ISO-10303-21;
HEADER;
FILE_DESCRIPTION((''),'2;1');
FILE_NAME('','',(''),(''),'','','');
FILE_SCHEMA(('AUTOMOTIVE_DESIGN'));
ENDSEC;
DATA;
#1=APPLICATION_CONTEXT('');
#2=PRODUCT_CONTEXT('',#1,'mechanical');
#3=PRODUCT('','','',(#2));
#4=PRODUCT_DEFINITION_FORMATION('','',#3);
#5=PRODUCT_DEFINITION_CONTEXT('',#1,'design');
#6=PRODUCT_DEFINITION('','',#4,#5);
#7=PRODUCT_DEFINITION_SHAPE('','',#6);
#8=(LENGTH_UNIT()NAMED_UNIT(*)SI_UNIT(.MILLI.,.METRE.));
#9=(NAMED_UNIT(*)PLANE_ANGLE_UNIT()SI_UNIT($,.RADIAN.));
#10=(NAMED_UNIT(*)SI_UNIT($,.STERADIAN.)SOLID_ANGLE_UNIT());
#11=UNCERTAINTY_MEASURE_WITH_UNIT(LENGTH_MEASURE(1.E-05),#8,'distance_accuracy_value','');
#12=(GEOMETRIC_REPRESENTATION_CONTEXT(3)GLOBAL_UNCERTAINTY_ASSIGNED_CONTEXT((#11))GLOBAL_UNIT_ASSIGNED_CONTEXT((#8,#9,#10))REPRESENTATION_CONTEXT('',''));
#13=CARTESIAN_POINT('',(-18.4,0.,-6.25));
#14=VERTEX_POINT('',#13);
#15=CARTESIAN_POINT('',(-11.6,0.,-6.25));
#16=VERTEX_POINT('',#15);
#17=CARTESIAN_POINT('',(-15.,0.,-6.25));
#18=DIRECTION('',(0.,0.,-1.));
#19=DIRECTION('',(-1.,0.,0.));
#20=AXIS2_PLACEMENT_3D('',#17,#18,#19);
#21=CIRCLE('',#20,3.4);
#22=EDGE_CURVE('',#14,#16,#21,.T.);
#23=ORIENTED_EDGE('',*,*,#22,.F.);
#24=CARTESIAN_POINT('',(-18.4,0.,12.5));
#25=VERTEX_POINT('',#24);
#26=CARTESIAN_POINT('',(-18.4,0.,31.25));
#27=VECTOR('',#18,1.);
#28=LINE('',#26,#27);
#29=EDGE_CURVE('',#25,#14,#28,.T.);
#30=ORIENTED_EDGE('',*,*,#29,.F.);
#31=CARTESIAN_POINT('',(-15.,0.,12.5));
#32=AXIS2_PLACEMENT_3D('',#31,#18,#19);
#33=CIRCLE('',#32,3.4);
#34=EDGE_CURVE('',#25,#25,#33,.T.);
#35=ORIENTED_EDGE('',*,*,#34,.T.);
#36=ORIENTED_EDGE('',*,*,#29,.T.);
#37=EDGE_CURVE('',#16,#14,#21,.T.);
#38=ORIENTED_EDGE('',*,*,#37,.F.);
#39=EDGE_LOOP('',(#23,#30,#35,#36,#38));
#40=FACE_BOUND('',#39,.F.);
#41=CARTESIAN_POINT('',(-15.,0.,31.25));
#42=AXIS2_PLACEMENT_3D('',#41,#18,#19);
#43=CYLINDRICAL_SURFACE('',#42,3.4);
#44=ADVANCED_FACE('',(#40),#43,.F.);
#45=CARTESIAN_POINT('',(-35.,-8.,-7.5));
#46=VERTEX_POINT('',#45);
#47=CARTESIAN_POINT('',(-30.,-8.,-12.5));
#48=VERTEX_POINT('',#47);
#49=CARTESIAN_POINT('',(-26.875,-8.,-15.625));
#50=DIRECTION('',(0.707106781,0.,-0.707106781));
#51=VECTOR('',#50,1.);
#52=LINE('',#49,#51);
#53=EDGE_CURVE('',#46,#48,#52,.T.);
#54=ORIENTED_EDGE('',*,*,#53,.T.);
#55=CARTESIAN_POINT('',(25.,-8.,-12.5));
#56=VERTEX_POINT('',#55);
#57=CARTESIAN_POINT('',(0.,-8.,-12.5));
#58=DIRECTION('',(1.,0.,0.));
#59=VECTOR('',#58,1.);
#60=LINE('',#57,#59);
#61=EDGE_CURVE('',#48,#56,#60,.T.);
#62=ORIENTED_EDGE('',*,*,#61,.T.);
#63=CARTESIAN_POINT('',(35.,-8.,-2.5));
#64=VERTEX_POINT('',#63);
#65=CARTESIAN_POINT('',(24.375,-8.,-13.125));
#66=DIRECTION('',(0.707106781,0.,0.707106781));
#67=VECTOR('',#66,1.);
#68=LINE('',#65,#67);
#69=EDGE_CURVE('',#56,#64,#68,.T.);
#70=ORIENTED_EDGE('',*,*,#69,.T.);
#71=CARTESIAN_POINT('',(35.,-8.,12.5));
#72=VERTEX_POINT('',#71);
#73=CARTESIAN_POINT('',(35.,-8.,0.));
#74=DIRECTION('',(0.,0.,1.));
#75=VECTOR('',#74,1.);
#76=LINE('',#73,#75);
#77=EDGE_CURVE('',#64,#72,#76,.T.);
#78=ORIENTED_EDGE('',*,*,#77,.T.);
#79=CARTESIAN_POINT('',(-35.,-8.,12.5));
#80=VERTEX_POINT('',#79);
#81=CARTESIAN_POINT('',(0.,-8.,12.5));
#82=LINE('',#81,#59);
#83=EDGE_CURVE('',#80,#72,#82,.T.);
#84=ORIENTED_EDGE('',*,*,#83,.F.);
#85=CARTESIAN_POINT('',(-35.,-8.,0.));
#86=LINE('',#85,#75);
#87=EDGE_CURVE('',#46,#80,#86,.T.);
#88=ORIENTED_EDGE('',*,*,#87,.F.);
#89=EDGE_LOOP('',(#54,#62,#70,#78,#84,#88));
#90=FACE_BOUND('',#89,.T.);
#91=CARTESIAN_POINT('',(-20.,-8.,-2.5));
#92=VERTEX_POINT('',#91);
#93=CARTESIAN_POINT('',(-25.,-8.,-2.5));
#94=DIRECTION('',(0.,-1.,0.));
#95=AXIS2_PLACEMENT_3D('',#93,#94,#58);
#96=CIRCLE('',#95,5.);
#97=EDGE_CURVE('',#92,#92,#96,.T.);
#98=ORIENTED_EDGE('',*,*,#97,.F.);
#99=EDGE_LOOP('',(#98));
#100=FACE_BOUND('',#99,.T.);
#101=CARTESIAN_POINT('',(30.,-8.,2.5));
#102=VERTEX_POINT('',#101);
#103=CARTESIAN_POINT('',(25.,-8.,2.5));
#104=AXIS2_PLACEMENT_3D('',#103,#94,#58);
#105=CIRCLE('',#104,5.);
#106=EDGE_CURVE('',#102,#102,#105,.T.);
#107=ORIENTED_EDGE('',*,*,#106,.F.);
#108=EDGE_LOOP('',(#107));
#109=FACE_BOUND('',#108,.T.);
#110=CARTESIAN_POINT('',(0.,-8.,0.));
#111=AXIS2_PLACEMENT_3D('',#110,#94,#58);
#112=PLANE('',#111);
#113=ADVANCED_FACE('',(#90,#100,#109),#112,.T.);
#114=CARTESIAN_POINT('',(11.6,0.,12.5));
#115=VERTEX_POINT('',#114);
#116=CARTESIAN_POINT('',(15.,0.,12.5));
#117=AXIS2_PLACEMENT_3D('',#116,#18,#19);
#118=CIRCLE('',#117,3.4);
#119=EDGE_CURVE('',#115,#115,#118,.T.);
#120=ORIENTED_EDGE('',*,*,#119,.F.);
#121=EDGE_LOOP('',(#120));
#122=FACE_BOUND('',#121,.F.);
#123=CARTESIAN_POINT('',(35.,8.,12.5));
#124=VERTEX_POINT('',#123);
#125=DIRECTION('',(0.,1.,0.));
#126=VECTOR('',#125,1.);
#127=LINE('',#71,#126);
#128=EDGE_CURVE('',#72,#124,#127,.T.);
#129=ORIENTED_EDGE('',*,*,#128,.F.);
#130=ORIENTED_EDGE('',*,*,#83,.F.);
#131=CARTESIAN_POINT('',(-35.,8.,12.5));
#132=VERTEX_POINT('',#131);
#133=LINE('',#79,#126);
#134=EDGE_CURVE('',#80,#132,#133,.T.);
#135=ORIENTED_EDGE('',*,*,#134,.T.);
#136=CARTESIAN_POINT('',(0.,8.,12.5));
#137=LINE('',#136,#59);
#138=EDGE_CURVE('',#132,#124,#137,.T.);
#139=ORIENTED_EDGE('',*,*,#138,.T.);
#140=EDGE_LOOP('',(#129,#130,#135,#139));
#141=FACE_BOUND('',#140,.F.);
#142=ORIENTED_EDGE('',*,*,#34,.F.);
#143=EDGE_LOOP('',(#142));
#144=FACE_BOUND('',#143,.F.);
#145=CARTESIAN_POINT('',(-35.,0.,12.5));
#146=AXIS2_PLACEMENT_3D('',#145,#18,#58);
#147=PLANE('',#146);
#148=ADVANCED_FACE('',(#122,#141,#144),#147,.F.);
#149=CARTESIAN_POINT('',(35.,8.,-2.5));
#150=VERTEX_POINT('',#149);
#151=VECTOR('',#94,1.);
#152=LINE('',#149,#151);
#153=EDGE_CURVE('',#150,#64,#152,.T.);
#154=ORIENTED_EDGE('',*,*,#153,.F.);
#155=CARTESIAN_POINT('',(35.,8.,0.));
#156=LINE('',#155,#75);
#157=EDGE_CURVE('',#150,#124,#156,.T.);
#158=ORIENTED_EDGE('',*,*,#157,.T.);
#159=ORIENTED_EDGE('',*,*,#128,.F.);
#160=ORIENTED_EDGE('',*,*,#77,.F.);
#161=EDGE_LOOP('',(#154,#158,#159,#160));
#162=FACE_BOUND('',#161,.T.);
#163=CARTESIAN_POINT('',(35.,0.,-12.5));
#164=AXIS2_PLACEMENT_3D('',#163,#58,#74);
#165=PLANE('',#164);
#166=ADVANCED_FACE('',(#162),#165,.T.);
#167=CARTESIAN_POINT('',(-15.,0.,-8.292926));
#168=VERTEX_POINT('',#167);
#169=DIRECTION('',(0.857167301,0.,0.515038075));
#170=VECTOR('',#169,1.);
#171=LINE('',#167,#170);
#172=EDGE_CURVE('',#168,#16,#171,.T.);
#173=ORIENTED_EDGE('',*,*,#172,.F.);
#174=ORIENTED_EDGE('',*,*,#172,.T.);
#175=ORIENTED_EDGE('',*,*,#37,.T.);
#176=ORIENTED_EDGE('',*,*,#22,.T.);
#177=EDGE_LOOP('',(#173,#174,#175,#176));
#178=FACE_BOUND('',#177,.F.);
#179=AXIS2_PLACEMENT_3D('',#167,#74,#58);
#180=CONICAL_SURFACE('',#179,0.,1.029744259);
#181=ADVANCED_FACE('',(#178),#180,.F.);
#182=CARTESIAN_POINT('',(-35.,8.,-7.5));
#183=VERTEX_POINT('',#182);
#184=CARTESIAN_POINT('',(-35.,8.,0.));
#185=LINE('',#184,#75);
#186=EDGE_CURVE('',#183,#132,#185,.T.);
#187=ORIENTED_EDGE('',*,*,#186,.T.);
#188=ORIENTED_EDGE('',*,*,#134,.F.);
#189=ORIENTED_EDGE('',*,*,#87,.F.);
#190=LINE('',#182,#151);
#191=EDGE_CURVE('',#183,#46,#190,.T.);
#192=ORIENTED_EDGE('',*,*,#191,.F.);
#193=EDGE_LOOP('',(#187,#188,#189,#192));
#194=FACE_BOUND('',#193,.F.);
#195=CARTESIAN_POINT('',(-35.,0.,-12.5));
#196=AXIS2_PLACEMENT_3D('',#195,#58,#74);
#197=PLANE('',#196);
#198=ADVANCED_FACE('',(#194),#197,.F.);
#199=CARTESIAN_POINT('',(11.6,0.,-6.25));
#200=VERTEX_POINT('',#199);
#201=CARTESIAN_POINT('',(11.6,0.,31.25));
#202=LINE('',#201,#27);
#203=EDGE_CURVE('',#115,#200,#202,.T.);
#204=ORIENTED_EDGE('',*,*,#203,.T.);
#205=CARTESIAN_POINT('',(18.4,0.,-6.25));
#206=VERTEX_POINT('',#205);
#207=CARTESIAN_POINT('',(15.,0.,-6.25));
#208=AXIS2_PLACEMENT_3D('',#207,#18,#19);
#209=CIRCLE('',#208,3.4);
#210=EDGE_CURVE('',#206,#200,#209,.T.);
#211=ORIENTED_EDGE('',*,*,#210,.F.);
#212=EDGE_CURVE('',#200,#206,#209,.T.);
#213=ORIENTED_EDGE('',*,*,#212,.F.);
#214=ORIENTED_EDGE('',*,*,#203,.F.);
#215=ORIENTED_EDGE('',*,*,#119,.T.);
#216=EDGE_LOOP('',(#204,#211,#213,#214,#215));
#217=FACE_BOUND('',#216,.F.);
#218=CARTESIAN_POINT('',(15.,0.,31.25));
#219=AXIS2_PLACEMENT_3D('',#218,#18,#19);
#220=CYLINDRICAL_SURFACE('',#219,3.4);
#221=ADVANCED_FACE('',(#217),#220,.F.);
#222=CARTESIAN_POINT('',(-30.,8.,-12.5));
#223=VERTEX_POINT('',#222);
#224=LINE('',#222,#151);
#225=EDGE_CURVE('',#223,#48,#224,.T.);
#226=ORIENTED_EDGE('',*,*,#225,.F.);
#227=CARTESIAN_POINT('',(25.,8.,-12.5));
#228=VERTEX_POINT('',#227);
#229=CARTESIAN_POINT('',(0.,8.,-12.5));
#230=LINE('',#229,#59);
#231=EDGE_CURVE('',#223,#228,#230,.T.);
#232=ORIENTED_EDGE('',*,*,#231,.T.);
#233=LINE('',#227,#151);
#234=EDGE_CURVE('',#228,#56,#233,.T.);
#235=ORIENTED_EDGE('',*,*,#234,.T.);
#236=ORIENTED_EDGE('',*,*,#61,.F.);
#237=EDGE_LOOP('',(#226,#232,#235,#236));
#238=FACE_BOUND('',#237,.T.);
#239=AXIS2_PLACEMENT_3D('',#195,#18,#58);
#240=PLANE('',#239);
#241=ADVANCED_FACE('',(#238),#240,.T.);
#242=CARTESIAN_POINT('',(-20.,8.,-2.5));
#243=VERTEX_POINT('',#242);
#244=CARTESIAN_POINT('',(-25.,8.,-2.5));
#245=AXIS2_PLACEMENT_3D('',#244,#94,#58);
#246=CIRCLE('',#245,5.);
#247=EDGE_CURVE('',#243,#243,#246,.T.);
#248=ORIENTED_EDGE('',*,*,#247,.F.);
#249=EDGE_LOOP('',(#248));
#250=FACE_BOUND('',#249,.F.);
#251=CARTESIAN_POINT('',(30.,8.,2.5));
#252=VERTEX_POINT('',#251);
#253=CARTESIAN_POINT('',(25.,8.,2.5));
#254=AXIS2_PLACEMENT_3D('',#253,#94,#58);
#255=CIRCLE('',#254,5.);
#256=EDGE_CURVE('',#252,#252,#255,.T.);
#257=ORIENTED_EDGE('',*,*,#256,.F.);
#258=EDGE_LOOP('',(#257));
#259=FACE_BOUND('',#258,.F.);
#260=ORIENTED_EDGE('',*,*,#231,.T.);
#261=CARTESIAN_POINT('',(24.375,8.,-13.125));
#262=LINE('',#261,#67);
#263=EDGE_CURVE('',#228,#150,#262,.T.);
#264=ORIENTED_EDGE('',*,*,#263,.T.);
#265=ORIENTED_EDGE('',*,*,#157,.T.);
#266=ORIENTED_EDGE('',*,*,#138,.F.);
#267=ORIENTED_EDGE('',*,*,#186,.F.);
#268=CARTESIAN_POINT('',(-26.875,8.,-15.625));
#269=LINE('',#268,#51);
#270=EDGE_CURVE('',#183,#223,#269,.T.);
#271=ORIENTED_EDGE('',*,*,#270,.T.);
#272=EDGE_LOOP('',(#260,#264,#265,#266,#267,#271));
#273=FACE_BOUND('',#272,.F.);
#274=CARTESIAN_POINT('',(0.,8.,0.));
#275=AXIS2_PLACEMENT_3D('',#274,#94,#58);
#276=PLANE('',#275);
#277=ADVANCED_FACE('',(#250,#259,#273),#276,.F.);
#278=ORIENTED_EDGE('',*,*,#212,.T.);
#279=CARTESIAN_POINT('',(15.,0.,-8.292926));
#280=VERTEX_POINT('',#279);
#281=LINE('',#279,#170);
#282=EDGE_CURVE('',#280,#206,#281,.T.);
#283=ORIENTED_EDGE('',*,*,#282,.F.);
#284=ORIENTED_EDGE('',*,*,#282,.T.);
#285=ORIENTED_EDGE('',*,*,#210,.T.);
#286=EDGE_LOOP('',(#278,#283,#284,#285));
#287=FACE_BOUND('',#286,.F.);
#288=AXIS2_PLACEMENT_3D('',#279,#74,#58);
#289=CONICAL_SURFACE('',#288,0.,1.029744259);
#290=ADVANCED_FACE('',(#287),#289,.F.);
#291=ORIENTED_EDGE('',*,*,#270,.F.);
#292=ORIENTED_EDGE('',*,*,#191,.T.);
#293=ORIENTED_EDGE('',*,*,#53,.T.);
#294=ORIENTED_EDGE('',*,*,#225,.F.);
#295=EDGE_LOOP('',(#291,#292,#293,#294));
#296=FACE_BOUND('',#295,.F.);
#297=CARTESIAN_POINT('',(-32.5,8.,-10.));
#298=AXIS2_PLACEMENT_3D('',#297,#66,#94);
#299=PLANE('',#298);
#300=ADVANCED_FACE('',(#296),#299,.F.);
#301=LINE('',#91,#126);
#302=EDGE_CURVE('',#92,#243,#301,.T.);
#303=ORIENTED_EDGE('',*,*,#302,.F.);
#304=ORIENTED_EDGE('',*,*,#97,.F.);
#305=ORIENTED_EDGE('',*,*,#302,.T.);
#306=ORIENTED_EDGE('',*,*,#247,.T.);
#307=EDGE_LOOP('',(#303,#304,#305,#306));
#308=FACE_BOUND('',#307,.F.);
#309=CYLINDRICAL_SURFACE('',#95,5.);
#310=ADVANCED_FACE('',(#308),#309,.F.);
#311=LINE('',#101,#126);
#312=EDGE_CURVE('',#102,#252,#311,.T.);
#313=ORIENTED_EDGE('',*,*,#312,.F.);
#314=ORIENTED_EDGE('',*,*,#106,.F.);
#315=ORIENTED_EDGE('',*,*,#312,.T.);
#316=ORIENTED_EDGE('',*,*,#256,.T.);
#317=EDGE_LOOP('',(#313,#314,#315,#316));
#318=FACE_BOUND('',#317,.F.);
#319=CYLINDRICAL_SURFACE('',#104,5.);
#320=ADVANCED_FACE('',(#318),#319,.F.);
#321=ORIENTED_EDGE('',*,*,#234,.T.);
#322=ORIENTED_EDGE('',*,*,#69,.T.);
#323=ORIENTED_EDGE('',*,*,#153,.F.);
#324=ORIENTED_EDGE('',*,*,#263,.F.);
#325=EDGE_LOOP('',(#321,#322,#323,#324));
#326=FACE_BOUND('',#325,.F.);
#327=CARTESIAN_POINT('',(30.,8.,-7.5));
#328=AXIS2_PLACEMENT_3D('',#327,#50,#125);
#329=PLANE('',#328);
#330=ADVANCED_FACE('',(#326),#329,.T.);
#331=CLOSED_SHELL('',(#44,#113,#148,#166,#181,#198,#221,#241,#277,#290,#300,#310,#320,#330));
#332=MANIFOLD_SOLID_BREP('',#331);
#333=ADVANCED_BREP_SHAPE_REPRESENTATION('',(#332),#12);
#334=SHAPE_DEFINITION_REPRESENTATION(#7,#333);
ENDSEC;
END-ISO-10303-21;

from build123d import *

# Parameters (mm, degrees)
F0_W     = 70
F0_H     = 25
F1_DEPTH = 8
F2_SIZE  = 5
F3_SIZE  = 10
F4_R     = 5
F5_DEPTH = 16
F7_D     = 6.8
F7_DEPTH = 18.75
F7_TIP   = 2.0429261047


with BuildPart() as f1:
    # F0 (on Front) → F1 (new body, symmetric)
    with BuildSketch(Plane.XZ):
        Rectangle(F0_W, F0_H)
    extrude(amount=F1_DEPTH, both=True)

    # F2
    f2_edges = [f1.edges().sort_by_distance(p)[0] for p in [
        (-35, 0, -12.5),
    ]]
    chamfer(f2_edges, length=F2_SIZE)

    # F3
    f3_edges = [f1.edges().sort_by_distance(p)[0] for p in [
        (35, 0, -12.5),
    ]]
    chamfer(f3_edges, length=F3_SIZE)

    # F4 (on face) → F5 (cut)
    with BuildSketch(Plane.XZ.offset(8)):
        with Locations((-25, -2.5)):
            Circle(F4_R)
        with Locations((25, 2.5)):
            Circle(F4_R)
    extrude(amount=-F5_DEPTH, mode=Mode.SUBTRACT)

    # F7
    with Locations(Plane.XY.offset(12.5)):
        with Locations((-15, 0), (15, 0)):
            Hole(F7_D / 2, depth=F7_DEPTH)
            with Locations((0, 0, -(F7_DEPTH + F7_TIP / 2))):  # 118° drill point
                Cone(0, F7_D / 2, F7_TIP, mode=Mode.SUBTRACT)


solid = f1.part
